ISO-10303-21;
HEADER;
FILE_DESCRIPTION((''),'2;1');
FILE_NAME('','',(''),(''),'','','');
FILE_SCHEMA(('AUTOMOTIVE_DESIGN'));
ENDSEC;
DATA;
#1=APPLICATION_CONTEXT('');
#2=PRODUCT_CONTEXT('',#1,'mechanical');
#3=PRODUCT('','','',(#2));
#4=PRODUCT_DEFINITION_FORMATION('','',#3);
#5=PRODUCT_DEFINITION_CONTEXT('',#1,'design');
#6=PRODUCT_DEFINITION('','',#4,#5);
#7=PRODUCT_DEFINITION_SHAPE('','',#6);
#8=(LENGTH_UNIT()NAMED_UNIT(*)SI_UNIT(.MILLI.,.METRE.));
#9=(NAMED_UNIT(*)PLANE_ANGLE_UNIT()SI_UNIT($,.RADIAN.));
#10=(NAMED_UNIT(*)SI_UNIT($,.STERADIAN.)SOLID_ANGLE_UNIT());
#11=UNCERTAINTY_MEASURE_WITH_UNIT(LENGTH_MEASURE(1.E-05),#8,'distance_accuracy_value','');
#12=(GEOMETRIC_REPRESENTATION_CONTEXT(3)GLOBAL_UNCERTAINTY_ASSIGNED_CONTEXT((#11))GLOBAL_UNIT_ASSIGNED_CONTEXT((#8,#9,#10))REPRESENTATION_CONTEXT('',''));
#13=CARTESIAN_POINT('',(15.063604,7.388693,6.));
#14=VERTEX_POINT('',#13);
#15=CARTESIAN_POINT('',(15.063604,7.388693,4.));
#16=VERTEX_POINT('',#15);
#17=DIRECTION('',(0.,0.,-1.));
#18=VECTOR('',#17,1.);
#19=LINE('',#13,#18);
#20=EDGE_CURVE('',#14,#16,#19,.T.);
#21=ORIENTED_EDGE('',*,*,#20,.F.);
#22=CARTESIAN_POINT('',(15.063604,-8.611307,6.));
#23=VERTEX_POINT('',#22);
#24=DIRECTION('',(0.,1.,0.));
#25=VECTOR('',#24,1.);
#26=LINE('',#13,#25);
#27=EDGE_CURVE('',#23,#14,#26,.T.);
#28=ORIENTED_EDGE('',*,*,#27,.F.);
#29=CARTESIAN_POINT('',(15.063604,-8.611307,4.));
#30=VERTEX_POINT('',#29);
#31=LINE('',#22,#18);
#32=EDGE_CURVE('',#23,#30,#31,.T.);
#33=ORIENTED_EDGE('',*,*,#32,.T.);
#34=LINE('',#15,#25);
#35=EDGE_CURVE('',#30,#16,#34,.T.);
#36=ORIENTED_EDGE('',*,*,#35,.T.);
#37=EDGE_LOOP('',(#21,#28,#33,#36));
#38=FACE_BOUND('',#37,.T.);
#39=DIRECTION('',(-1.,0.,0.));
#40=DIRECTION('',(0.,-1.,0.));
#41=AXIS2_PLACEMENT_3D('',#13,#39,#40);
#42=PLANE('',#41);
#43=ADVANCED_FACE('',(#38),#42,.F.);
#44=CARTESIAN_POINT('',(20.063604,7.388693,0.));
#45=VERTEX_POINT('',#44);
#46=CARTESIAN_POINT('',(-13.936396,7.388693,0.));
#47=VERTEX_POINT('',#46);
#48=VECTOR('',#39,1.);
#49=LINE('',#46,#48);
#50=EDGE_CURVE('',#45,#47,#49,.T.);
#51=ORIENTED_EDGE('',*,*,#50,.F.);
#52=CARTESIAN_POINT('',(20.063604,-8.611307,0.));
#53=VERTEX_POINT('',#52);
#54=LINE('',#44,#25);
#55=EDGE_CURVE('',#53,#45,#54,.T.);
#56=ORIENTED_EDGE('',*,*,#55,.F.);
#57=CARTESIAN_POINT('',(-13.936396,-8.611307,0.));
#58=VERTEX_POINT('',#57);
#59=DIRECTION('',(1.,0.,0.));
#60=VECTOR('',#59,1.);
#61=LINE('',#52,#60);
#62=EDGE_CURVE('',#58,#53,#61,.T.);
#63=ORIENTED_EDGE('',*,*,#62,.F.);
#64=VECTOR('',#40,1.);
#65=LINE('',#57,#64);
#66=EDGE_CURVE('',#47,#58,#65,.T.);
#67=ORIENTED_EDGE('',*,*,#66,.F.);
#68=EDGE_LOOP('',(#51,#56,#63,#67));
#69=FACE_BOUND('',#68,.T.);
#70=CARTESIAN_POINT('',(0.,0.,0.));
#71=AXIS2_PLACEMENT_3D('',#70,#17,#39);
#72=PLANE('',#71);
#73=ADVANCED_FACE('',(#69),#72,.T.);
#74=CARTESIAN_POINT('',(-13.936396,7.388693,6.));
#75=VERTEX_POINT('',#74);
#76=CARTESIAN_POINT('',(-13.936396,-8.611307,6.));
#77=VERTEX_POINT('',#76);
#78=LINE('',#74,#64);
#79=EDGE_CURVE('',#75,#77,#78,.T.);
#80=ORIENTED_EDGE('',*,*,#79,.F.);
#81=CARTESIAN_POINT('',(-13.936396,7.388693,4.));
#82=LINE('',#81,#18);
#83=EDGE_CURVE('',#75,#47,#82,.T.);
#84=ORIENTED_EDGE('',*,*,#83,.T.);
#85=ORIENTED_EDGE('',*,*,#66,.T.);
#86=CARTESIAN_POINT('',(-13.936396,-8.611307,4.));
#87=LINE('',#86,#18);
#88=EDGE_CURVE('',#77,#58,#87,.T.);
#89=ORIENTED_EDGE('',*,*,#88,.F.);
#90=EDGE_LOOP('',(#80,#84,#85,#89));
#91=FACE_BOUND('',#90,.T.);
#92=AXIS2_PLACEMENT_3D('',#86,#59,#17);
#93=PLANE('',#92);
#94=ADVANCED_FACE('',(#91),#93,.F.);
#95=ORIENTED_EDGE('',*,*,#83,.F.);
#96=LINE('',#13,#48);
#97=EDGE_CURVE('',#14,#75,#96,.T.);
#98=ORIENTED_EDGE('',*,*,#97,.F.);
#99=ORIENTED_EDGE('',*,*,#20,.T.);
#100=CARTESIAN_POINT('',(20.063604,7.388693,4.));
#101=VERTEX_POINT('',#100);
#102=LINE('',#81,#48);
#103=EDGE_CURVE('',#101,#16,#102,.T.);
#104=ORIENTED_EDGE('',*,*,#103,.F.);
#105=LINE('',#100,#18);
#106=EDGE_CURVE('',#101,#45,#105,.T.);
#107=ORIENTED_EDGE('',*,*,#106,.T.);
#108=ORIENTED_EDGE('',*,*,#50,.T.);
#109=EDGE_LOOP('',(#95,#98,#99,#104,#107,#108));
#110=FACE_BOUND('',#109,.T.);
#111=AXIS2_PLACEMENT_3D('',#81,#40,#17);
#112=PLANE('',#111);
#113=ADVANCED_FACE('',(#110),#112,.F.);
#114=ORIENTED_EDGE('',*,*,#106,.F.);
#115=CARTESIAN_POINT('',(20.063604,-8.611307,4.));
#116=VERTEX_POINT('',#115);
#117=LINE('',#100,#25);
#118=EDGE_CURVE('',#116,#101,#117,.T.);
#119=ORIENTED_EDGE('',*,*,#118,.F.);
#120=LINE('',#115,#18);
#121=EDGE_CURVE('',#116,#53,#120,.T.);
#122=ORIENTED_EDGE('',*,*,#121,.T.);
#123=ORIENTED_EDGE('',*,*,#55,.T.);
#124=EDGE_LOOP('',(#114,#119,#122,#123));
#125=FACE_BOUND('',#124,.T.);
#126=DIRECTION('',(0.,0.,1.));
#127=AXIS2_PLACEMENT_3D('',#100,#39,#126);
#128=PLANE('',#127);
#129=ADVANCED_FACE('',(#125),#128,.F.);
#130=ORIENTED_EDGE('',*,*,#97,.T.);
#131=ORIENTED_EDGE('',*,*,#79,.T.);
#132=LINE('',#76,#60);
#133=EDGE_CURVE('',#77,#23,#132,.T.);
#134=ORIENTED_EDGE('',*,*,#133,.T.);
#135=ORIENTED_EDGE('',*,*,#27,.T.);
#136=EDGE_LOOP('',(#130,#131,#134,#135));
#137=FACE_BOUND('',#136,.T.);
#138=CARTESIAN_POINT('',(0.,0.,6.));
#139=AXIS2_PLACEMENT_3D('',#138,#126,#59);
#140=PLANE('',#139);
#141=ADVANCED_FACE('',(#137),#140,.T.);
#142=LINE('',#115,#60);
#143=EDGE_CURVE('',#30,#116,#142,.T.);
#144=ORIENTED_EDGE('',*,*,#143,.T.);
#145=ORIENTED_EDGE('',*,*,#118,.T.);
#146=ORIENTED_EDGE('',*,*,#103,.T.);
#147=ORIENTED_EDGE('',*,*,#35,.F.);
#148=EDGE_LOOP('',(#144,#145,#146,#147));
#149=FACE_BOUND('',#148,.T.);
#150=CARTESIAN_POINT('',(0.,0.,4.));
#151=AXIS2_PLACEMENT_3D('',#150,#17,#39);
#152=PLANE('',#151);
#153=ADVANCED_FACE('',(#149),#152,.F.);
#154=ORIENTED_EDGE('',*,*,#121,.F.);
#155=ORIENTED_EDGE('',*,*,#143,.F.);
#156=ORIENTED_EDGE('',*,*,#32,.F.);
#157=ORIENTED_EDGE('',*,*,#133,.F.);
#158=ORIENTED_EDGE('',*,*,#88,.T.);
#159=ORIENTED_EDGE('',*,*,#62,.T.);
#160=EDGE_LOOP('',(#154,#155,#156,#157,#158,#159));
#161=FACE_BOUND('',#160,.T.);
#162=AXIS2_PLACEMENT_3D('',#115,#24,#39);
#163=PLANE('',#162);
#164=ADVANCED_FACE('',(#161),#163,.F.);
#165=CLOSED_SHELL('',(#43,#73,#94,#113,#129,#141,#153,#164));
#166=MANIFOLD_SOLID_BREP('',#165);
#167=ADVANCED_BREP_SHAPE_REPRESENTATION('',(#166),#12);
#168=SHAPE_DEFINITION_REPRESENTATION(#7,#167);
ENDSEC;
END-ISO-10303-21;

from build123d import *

# Parameters (mm, degrees)
SKETCH_1_W      = 34
SKETCH_1_H      = 16
EXTRUDE_1_DEPTH = 4
SKETCH_2_W      = 29
SKETCH_2_H      = 16
EXTRUDE_2_DEPTH = 2


with BuildPart() as part:
    # Эскиз1 → Бобышка-Вытянуть1 (new body)
    with BuildSketch(Plane.XY):
        with Locations((3.06360424, -0.61130742)):
            Rectangle(SKETCH_1_W, SKETCH_1_H)
    extrude(amount=EXTRUDE_1_DEPTH)

    # Эскиз2 → Бобышка-Вытянуть2 (add)
    with BuildSketch(Plane.XY.offset(4)):
        with Locations((0.56360424, -0.61130742)):
            Rectangle(SKETCH_2_W, SKETCH_2_H)
    extrude(amount=EXTRUDE_2_DEPTH)


solid = part.part
